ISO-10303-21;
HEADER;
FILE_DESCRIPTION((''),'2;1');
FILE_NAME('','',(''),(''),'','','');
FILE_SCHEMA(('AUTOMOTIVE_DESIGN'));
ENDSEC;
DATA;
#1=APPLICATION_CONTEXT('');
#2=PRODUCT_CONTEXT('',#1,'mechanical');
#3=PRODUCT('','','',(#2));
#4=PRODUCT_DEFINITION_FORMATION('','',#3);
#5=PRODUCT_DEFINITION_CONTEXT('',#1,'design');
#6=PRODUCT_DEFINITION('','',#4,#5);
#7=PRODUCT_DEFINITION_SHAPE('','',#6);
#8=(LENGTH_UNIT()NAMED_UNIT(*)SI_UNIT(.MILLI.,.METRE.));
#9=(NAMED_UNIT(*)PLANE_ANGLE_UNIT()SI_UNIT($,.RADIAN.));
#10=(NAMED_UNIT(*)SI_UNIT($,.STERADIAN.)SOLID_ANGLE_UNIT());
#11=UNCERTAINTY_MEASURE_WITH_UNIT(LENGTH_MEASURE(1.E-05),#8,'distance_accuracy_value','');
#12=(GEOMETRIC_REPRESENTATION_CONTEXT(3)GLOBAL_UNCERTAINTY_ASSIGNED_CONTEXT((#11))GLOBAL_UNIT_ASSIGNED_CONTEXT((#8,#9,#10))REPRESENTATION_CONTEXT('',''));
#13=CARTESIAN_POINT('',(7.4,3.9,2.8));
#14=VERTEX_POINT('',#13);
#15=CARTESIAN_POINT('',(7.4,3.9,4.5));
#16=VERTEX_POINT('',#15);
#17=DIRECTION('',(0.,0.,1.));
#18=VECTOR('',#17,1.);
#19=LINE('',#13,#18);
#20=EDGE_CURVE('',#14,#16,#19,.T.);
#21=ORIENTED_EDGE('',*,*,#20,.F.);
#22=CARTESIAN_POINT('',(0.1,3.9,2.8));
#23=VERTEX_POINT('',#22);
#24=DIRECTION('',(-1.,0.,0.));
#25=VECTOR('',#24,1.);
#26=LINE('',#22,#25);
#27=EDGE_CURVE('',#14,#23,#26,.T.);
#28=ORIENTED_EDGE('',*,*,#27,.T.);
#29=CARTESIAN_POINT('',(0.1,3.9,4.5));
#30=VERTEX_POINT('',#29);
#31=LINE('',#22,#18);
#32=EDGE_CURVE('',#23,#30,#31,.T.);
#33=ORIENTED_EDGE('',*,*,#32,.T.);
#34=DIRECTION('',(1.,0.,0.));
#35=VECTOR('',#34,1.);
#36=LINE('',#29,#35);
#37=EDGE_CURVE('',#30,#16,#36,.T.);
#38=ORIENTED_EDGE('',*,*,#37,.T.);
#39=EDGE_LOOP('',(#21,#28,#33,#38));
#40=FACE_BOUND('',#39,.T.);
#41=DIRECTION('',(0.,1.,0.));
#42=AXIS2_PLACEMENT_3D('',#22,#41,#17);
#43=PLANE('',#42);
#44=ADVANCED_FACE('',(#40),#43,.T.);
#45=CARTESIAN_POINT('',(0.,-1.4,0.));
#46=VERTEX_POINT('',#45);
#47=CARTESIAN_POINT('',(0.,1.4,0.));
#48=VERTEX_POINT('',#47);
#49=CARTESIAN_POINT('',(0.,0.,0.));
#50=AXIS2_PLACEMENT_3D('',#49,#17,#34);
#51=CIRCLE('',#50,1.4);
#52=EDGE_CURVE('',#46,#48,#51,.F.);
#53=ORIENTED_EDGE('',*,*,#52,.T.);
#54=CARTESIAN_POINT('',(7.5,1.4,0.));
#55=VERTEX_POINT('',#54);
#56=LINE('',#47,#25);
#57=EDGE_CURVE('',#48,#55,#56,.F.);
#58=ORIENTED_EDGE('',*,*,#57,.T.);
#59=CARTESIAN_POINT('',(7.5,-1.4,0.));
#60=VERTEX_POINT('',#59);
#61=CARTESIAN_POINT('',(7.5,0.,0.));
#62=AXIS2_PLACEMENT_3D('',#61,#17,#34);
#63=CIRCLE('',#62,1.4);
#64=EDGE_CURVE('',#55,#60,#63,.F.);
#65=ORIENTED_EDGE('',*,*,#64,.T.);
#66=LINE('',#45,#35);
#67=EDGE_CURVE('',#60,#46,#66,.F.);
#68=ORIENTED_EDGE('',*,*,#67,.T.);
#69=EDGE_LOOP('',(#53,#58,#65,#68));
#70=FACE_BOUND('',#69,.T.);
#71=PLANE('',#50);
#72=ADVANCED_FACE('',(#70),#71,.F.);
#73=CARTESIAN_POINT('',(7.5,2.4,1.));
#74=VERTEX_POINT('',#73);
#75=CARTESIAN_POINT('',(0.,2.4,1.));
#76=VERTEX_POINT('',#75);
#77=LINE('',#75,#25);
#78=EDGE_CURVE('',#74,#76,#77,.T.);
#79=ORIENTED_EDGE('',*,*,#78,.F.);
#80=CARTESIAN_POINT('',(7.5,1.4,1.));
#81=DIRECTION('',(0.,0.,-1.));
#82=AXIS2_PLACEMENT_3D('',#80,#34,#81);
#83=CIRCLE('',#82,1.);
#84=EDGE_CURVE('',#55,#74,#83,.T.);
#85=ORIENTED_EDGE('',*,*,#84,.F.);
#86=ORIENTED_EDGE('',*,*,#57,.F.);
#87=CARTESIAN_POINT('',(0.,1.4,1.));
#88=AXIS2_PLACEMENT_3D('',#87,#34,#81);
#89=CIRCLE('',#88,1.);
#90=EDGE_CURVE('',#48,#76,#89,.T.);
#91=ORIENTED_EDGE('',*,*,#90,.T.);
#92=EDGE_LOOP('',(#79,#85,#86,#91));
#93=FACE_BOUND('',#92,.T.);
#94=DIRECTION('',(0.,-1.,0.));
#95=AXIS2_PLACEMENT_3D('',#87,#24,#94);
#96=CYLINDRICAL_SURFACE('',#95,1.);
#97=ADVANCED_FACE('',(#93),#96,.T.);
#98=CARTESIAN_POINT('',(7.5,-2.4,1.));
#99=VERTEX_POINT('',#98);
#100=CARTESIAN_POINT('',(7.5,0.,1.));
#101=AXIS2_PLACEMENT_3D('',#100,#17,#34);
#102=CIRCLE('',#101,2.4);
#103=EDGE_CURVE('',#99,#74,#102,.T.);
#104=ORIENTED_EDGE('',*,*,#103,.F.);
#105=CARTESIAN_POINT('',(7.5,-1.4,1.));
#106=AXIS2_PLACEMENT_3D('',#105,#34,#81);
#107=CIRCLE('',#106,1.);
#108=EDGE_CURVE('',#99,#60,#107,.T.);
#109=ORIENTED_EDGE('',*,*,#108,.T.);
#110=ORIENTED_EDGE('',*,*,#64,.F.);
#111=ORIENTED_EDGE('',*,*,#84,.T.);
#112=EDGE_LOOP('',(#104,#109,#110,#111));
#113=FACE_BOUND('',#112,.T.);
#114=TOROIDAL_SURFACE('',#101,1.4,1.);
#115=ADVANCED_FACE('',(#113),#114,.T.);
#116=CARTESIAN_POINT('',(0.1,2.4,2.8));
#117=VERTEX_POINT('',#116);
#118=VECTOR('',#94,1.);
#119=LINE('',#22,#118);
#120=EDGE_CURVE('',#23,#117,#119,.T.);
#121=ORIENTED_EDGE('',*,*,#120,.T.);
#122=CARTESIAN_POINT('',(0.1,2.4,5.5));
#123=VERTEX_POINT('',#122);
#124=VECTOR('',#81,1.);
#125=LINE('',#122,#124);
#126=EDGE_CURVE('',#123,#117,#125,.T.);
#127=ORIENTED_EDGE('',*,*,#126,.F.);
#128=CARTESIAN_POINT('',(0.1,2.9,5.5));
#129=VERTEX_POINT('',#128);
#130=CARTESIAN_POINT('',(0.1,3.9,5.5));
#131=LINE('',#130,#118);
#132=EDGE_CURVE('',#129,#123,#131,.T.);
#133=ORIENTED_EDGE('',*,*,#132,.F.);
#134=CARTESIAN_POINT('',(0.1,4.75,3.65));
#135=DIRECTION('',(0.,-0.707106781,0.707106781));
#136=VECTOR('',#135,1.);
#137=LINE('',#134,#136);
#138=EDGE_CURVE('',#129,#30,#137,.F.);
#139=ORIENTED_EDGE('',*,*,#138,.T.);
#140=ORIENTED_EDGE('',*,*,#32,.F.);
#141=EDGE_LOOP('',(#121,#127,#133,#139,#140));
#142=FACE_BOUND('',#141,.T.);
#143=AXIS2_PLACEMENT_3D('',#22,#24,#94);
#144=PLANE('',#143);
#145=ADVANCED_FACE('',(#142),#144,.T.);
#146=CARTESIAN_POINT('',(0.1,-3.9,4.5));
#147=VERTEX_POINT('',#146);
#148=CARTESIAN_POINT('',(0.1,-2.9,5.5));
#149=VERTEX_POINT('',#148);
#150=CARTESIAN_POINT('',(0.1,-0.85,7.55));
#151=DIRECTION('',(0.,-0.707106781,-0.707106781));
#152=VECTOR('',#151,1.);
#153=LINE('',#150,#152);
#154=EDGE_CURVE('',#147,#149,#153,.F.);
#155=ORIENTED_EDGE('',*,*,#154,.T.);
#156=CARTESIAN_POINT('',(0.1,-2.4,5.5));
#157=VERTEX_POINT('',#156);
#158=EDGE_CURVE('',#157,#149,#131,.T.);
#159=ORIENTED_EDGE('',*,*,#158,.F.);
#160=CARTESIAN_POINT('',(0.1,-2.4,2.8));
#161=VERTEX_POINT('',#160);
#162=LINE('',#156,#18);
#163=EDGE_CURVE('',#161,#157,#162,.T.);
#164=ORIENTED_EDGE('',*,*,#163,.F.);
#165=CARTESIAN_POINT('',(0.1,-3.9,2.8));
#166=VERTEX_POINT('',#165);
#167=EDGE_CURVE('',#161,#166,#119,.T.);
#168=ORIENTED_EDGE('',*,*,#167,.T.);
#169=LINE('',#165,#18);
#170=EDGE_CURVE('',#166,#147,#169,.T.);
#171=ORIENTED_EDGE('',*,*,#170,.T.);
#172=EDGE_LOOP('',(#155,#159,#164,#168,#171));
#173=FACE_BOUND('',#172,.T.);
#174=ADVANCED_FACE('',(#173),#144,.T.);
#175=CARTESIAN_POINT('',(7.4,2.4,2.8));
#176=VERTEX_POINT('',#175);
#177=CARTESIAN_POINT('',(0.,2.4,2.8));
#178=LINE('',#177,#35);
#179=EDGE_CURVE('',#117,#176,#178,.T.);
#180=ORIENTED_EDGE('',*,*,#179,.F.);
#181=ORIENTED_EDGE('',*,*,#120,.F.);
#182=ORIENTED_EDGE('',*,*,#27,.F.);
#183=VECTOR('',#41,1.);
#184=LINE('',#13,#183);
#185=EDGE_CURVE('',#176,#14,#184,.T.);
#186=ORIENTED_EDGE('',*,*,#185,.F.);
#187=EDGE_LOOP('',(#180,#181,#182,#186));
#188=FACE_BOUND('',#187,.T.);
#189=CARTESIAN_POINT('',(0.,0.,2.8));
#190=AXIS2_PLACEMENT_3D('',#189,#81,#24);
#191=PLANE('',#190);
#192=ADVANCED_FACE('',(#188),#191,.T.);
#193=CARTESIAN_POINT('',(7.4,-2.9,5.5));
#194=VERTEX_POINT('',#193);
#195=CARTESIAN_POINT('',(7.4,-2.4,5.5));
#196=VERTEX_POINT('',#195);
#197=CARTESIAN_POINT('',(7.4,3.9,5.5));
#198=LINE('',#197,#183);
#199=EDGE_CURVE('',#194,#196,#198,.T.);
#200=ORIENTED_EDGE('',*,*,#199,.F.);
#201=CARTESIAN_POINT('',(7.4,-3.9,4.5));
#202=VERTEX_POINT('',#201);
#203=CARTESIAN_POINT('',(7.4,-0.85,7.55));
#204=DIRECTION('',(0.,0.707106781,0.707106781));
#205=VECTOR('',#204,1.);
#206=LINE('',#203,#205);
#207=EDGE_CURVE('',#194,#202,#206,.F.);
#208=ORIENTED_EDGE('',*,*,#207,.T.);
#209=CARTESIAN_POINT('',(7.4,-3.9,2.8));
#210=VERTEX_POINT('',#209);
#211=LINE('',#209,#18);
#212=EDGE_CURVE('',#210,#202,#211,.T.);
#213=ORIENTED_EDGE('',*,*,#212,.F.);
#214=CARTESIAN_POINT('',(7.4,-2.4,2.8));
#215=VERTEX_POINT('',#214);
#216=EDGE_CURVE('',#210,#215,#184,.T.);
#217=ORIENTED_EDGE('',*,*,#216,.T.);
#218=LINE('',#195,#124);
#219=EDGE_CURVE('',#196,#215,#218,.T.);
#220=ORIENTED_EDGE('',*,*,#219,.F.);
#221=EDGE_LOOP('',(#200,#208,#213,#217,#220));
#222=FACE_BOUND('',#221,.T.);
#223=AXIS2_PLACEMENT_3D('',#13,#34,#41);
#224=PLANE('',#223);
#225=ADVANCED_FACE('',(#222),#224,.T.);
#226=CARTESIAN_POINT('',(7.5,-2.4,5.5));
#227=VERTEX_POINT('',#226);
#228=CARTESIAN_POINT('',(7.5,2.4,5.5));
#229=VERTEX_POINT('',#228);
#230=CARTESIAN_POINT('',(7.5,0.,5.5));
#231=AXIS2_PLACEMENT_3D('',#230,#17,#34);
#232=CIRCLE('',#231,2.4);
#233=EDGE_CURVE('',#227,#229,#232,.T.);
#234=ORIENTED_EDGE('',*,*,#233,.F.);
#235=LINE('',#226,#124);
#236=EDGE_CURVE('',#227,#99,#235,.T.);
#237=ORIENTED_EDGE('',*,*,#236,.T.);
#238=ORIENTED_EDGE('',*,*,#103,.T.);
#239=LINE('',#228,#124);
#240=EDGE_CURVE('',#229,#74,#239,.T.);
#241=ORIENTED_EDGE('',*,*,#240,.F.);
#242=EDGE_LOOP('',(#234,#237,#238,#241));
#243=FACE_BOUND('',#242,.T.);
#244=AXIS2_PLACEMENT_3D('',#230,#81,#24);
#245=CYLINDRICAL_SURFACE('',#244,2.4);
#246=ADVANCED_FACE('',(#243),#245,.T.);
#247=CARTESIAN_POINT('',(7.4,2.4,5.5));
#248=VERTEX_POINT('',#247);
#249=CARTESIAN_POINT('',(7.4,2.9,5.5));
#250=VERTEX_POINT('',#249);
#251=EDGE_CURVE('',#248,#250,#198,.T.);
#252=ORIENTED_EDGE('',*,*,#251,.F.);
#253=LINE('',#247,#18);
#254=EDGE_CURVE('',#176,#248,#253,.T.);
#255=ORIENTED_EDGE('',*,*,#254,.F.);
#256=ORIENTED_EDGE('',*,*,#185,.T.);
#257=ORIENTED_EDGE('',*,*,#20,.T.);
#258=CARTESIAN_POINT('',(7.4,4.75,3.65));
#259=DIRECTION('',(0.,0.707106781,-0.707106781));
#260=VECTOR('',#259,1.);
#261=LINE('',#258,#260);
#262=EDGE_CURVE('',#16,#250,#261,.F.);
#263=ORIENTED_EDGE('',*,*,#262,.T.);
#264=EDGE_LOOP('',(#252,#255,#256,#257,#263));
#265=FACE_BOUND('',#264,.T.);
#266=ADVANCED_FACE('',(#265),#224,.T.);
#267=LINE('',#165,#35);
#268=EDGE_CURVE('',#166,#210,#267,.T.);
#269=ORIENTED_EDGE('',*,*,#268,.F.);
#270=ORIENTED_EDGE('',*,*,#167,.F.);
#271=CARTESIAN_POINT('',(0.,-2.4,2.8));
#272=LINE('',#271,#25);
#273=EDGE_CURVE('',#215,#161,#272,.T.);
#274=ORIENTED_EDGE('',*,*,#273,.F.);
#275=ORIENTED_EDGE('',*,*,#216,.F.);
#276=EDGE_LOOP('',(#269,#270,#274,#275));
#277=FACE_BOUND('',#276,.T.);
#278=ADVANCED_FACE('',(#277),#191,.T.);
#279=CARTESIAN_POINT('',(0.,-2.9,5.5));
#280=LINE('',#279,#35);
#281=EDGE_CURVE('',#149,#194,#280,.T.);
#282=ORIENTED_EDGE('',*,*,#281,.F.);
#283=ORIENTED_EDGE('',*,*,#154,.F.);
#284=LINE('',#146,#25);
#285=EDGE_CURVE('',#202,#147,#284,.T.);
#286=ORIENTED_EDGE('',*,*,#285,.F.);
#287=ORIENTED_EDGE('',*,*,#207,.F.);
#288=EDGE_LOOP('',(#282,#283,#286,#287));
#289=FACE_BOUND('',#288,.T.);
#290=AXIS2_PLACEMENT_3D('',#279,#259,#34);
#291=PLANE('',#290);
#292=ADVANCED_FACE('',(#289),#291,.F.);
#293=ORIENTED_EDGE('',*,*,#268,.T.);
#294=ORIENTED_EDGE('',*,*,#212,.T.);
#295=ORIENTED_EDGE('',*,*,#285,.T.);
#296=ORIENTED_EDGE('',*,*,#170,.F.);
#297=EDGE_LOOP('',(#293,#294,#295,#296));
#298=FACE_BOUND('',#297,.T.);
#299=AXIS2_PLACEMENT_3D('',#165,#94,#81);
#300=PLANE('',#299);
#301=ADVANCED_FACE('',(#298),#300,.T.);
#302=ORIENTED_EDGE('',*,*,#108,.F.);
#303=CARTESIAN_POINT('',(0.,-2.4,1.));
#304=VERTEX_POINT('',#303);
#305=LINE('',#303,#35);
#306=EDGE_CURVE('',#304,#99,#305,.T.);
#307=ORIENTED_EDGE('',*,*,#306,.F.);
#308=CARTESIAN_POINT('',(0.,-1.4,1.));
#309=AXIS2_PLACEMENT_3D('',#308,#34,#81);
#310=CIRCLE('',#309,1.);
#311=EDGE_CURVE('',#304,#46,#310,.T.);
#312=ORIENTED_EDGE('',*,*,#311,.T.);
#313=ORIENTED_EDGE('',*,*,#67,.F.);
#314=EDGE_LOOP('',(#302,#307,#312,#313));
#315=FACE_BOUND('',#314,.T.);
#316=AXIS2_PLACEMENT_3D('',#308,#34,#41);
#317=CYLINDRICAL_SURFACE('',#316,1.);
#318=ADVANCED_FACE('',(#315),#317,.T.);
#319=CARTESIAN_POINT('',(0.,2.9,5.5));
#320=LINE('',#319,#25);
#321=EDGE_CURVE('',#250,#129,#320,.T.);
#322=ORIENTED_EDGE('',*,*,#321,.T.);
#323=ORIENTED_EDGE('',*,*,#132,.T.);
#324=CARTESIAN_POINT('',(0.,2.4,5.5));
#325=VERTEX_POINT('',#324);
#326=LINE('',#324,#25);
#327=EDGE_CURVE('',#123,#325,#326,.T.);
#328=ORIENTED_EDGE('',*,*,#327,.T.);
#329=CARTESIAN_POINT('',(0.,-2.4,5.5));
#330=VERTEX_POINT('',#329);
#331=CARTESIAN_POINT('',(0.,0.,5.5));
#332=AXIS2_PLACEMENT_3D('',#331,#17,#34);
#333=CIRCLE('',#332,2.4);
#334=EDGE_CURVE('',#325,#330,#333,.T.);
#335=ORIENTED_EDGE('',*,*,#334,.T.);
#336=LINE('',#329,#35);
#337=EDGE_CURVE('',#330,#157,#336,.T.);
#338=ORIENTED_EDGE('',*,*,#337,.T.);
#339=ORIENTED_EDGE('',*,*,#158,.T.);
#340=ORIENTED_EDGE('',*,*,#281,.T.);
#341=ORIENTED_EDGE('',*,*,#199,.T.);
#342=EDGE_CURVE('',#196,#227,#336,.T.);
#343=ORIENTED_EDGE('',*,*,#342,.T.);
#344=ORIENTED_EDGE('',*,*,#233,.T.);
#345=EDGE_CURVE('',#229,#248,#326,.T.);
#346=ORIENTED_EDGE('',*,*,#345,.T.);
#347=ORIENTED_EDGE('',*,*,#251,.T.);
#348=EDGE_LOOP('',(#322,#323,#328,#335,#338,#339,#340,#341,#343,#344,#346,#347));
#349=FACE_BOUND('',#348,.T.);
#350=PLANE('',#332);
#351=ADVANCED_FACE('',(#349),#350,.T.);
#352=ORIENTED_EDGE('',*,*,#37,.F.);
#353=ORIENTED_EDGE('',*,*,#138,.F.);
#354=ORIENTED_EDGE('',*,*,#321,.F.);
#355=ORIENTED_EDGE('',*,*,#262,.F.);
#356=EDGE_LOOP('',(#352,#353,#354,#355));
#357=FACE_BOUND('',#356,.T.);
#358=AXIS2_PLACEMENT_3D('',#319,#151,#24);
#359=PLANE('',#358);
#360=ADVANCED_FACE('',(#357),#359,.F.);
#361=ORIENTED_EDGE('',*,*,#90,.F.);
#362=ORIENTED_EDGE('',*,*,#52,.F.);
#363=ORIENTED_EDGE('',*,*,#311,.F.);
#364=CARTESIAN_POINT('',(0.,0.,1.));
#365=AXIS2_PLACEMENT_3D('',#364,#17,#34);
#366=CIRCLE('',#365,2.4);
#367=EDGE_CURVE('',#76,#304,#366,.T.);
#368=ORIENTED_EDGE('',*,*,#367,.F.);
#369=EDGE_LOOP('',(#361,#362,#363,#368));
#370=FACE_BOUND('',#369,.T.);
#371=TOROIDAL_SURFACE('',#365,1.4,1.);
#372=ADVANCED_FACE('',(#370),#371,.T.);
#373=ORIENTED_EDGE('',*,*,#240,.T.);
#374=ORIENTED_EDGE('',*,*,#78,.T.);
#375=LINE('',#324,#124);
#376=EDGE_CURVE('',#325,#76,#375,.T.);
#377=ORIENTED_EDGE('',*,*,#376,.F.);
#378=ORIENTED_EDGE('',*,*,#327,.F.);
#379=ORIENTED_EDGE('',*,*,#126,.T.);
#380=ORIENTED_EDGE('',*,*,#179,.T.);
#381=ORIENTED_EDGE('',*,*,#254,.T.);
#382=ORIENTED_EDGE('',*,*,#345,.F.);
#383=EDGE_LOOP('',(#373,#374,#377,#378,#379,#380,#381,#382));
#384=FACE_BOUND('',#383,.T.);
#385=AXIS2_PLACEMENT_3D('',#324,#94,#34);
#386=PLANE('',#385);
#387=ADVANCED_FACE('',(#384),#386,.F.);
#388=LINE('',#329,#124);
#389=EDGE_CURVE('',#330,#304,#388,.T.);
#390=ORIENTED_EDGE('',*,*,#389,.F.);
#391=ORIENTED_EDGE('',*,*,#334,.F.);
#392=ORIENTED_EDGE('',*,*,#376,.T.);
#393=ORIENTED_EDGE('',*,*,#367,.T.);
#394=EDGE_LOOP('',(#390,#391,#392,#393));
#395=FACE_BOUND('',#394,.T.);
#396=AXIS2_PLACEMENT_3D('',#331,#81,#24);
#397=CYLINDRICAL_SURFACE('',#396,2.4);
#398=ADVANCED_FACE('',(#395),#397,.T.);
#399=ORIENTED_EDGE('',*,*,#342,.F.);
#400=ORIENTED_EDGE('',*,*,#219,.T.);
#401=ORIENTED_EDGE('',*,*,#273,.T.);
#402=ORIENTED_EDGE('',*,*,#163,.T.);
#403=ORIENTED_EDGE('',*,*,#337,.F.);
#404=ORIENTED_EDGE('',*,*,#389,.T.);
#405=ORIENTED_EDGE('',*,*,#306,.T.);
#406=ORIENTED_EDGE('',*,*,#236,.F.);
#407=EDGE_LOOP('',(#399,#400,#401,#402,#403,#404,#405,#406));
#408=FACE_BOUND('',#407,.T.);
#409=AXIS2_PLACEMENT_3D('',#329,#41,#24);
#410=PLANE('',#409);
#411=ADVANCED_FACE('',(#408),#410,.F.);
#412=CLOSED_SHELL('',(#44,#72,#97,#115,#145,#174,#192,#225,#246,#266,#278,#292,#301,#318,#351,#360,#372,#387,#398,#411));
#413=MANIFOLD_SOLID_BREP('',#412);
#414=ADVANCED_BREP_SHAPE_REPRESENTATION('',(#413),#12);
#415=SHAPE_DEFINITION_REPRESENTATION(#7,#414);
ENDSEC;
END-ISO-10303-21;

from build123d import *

# Parameters (mm, degrees)
EXTRUDE_1_DEPTH = 5.5
SKETCH_2_W      = 7.3
SKETCH_2_H      = 7.8
EXTRUDE_2_DEPTH = 2.7
FILLET_1_R      = 1
CHAMFER_1_SIZE  = 1


with BuildPart() as part:
    # Эскиз1 → Бобышка-Вытянуть1 (new body)
    with BuildSketch(Plane.XY):
        with BuildLine():
            Line((0, 2.4), (7.5, 2.4))
            ThreePointArc((7.5, 2.4), (9.9, 0), (7.5, -2.4))
            Line((7.5, -2.4), (0, -2.4))
            ThreePointArc((0, -2.4), (-2.4, 0), (0, 2.4))
        make_face()
    extrude(amount=EXTRUDE_1_DEPTH)

    # Эскиз2 → Бобышка-Вытянуть2 (add)
    with BuildSketch(Plane.XY.offset(5.5)):
        with Locations((3.75, 0)):
            Rectangle(SKETCH_2_W, SKETCH_2_H)
    extrude(amount=-EXTRUDE_2_DEPTH)

    # Скругление1
    fillet_1_edges = [part.edges().sort_by_distance(p)[0] for p in [
        (3.75, 2.4, 0),
        (9.9, 0, 0),
        (3.75, -2.4, 0),
        (-2.4, 0, 0),
    ]]
    fillet(fillet_1_edges, radius=FILLET_1_R)

    # Фаска1
    chamfer_1_edges = [part.edges().sort_by_distance(p)[0] for p in [
        (3.75, -3.9, 5.5),
        (3.75, 3.9, 5.5),
    ]]
    chamfer(chamfer_1_edges, length=CHAMFER_1_SIZE)


solid = part.part
